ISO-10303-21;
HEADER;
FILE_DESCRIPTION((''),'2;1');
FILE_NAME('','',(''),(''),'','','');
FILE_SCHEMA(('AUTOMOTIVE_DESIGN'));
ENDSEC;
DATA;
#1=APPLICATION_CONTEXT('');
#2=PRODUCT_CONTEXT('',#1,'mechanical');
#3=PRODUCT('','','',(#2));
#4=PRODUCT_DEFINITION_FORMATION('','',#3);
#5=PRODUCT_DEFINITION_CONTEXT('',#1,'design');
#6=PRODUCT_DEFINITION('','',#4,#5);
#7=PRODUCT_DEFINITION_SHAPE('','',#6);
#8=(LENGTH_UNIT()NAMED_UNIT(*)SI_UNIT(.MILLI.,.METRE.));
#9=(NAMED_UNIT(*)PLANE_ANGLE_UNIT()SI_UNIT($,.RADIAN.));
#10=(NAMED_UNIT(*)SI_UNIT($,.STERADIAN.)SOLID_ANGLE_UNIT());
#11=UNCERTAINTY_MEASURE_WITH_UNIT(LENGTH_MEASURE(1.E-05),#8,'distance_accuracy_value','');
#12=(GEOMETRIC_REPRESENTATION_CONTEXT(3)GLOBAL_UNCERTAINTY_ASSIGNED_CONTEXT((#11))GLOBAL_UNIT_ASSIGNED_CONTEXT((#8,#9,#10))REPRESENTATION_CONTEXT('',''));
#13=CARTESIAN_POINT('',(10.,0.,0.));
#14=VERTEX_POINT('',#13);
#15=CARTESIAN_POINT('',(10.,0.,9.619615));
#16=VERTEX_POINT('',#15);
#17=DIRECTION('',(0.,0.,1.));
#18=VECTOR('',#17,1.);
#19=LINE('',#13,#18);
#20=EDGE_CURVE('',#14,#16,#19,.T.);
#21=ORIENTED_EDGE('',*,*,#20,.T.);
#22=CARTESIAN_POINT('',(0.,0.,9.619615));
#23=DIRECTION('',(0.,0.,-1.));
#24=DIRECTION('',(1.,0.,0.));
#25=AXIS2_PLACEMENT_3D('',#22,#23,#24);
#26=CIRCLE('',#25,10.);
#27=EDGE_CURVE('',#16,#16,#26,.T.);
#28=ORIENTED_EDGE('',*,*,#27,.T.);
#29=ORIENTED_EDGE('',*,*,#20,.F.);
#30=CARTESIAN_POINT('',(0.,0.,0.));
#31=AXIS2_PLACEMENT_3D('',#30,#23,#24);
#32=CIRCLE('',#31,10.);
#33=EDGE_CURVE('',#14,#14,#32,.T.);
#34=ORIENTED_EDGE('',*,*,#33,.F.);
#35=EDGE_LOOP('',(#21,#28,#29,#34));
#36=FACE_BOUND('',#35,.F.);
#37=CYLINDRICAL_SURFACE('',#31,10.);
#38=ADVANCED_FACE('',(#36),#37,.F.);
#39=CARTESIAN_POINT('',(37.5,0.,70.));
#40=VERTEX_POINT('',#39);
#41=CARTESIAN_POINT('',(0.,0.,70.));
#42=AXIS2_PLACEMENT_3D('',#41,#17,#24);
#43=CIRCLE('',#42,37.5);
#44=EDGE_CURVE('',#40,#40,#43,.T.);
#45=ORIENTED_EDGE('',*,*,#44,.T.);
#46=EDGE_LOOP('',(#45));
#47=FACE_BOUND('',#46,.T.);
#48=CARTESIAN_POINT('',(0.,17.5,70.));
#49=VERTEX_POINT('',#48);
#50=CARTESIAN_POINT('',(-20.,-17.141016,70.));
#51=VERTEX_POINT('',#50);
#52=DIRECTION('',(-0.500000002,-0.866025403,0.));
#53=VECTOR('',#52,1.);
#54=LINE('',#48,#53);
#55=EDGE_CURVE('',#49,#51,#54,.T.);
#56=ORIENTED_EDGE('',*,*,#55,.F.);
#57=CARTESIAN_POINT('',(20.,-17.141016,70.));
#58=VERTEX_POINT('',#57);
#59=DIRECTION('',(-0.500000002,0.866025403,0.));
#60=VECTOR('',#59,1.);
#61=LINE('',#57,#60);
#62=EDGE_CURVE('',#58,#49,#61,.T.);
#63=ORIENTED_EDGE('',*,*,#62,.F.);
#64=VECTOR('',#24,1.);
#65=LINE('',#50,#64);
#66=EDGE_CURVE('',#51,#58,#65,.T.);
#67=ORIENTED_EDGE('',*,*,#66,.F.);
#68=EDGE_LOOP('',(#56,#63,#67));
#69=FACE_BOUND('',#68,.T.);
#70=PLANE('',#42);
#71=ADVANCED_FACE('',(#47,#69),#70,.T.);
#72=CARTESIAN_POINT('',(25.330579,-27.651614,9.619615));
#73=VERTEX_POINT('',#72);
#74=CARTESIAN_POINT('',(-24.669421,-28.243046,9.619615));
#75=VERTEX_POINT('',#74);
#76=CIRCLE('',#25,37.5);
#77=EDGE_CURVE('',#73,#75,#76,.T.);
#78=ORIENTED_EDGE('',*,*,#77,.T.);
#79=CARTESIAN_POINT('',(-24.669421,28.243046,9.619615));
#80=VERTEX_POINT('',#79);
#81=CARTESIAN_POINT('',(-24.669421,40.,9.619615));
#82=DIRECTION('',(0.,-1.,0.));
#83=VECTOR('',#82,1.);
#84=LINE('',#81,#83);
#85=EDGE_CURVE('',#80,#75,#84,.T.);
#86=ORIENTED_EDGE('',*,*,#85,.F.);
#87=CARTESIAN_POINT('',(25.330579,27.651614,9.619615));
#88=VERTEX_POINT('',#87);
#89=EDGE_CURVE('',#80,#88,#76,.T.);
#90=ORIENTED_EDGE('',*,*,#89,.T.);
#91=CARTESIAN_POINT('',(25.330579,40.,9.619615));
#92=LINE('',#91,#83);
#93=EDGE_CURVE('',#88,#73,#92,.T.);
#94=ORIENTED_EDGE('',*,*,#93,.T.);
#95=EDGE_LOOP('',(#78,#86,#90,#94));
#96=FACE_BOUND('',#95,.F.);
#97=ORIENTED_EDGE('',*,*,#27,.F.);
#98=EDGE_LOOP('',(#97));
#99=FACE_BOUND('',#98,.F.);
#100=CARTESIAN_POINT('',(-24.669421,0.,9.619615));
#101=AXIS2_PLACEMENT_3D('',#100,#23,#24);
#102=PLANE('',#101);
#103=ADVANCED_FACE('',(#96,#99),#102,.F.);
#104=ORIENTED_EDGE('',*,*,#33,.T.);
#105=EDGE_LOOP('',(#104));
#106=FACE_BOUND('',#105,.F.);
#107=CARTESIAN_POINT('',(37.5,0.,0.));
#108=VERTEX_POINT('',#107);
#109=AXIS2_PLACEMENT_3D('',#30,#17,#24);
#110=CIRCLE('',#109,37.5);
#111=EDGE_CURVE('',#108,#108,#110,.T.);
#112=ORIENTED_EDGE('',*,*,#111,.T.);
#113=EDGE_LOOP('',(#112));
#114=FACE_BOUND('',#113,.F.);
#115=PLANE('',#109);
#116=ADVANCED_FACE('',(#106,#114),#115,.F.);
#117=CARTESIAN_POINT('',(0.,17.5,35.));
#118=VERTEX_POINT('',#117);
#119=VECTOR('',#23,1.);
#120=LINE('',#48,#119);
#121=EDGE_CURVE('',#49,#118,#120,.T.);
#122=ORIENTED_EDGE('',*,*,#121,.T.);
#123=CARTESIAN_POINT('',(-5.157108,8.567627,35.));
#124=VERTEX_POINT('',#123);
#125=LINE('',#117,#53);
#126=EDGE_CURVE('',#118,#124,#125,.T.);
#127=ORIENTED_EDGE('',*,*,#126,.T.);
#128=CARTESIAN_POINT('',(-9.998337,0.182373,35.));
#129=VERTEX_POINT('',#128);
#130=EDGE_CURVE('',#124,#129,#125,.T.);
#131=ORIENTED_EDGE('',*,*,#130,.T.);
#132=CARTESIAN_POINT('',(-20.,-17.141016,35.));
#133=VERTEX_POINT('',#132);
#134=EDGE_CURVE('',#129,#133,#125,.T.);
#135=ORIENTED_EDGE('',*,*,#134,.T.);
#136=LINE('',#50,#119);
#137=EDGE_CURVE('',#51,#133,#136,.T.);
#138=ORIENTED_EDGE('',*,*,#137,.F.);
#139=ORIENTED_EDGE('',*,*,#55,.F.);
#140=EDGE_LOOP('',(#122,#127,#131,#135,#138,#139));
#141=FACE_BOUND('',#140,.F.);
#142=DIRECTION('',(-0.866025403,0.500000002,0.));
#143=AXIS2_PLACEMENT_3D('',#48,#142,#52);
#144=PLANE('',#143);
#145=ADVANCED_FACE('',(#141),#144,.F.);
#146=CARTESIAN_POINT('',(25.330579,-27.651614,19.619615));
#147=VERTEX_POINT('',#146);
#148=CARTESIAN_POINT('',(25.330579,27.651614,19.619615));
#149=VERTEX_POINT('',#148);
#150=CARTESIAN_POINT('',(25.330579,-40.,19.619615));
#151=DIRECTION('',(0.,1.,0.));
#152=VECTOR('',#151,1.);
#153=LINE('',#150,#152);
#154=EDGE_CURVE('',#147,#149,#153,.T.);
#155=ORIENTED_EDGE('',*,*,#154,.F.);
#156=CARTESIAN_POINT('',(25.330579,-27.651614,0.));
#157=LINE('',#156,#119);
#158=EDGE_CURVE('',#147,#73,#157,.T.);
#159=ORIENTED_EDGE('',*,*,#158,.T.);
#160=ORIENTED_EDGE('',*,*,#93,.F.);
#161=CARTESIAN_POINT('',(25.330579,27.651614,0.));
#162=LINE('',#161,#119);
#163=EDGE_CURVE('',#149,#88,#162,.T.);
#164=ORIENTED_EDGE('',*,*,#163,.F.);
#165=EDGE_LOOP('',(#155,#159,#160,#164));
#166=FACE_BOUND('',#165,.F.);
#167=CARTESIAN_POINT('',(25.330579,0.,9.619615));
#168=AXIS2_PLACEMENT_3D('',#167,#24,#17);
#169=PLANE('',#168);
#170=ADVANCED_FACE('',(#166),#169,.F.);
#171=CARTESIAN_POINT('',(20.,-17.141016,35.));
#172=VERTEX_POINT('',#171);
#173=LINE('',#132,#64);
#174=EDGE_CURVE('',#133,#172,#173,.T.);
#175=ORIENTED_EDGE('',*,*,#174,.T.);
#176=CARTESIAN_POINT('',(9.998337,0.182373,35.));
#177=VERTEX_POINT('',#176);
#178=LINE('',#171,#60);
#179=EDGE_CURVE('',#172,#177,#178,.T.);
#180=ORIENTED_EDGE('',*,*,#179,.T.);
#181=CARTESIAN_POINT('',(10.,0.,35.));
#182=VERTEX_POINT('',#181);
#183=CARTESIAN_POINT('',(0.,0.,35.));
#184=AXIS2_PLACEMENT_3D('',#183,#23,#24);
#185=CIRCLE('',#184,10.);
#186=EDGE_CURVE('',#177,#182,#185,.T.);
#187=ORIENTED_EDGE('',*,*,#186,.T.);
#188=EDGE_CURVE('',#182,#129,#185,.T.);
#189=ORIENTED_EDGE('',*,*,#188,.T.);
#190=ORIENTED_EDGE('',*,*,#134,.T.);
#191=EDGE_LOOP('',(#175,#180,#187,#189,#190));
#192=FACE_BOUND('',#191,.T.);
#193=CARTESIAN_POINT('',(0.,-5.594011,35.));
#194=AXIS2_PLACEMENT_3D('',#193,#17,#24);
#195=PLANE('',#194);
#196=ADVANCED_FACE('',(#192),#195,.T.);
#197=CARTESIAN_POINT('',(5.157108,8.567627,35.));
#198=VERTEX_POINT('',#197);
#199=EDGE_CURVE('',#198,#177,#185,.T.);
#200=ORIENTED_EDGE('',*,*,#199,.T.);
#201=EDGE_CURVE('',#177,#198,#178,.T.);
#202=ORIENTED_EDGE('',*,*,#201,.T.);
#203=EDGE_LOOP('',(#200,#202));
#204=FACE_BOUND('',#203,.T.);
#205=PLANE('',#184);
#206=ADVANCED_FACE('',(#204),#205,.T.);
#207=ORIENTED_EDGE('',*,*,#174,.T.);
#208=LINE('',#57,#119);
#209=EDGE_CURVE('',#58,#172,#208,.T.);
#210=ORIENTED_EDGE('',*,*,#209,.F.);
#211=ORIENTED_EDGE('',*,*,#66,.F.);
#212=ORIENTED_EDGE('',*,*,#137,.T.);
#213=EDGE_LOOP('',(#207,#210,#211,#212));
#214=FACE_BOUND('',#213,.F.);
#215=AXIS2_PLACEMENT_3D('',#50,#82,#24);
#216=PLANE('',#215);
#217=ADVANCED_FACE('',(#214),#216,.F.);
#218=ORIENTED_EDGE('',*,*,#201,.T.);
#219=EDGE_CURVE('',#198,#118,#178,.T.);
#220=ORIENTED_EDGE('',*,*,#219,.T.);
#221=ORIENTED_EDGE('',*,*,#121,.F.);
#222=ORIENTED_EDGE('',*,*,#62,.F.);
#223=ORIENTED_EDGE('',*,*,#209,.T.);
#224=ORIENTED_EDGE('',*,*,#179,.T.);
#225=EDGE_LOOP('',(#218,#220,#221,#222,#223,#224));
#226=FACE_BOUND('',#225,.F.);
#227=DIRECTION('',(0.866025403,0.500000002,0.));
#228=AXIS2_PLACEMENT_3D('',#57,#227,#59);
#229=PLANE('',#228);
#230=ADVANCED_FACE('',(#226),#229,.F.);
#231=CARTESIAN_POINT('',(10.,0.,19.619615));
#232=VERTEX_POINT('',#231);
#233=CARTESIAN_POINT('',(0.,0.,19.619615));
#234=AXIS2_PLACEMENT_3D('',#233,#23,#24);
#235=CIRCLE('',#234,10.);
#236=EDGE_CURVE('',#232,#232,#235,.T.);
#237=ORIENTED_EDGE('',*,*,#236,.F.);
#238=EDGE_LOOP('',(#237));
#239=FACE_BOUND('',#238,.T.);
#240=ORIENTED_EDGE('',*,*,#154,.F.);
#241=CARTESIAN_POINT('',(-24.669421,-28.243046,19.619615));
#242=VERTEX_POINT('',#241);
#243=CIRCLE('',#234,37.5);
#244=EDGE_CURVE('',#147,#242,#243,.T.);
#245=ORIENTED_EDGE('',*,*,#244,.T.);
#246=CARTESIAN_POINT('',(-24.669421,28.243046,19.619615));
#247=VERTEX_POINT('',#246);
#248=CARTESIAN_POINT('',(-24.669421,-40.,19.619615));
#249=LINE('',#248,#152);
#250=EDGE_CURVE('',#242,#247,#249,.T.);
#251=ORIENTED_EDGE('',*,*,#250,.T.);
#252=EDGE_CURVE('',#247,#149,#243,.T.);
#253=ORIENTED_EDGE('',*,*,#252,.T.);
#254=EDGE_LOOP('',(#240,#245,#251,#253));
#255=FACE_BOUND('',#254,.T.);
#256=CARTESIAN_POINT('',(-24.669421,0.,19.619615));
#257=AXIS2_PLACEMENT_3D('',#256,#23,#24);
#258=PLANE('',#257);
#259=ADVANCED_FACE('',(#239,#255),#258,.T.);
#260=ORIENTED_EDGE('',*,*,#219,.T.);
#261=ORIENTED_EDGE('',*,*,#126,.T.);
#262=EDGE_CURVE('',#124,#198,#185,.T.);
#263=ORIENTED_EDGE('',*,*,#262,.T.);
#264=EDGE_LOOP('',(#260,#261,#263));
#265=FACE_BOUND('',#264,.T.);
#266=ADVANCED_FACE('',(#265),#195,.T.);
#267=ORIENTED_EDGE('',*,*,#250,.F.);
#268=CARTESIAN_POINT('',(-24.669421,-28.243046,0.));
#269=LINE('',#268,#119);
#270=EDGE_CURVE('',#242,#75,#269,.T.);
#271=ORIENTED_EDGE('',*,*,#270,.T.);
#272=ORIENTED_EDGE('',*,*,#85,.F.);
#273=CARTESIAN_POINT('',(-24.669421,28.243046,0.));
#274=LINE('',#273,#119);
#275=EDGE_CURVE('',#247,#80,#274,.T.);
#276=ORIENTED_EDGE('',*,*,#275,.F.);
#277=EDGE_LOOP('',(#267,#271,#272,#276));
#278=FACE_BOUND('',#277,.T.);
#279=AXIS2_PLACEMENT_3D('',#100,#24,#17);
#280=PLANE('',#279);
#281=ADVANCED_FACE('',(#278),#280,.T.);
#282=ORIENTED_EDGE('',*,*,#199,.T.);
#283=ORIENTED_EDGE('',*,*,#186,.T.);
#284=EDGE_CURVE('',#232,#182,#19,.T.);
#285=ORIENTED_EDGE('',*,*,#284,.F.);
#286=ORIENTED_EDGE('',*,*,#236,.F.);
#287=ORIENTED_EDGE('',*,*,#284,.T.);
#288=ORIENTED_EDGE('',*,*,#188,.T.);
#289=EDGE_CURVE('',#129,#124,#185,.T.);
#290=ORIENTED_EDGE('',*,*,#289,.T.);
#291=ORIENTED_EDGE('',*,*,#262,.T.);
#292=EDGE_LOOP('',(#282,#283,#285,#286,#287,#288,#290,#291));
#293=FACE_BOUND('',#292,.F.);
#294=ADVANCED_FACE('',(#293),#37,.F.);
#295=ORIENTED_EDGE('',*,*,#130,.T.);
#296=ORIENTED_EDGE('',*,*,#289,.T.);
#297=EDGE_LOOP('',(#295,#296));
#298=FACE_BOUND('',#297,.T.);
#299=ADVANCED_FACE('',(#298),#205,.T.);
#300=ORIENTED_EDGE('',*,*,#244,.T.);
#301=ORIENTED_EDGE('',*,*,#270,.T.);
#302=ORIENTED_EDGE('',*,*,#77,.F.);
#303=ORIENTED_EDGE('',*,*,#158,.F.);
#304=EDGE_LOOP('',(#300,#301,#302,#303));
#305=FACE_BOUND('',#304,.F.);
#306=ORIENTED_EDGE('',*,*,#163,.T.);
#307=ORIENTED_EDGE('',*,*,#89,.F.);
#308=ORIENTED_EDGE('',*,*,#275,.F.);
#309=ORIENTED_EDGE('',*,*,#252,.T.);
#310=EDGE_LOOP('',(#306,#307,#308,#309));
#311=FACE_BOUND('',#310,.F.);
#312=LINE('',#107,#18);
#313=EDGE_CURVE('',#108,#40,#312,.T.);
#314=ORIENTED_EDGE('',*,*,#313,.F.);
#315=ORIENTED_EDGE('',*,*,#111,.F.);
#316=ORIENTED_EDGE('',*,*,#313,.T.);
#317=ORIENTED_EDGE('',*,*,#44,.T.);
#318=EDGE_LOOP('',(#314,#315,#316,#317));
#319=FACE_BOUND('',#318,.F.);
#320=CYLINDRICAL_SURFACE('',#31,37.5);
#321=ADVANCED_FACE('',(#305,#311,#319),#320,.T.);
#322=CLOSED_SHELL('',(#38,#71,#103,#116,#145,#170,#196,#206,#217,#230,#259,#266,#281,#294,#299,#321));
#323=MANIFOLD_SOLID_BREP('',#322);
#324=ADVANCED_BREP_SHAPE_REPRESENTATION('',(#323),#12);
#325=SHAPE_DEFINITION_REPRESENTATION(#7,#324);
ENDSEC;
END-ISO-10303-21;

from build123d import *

# Parameters (mm, degrees)
F0_R     = 37.5
F1_DEPTH = 70
F2_R     = 10
F3_DEPTH = 35
F5_DEPTH = 35
F7_W     = 50
F7_H     = 10
F6_DEPTH = 40


with BuildPart() as f1:
    # F0 (on Top) → F1 (new body)
    with BuildSketch(Plane.XY):
        Circle(F0_R)
    extrude(amount=F1_DEPTH)

    # F2 (on face) → F3 (cut)
    with BuildSketch(Plane(origin=(0, 0, 0), x_dir=(1, 0, 0), z_dir=(0, 0, -1))):
        Circle(F2_R)
    extrude(amount=-F3_DEPTH, mode=Mode.SUBTRACT)

    # F4 (on face) → F5 (cut)
    with BuildSketch(Plane.XY.offset(70)):
        Polygon((0, 17.5), (-20, -17.141016), (20, -17.141016), align=None)
    extrude(amount=-F5_DEPTH, mode=Mode.SUBTRACT)

    # F7 (on Front) → F6 (cut, symmetric)
    with BuildSketch(Plane.XZ):
        with Locations((0.330579, 14.619615)):
            Rectangle(F7_W, F7_H)
    extrude(amount=F6_DEPTH, both=True, mode=Mode.SUBTRACT)


solid = f1.part
